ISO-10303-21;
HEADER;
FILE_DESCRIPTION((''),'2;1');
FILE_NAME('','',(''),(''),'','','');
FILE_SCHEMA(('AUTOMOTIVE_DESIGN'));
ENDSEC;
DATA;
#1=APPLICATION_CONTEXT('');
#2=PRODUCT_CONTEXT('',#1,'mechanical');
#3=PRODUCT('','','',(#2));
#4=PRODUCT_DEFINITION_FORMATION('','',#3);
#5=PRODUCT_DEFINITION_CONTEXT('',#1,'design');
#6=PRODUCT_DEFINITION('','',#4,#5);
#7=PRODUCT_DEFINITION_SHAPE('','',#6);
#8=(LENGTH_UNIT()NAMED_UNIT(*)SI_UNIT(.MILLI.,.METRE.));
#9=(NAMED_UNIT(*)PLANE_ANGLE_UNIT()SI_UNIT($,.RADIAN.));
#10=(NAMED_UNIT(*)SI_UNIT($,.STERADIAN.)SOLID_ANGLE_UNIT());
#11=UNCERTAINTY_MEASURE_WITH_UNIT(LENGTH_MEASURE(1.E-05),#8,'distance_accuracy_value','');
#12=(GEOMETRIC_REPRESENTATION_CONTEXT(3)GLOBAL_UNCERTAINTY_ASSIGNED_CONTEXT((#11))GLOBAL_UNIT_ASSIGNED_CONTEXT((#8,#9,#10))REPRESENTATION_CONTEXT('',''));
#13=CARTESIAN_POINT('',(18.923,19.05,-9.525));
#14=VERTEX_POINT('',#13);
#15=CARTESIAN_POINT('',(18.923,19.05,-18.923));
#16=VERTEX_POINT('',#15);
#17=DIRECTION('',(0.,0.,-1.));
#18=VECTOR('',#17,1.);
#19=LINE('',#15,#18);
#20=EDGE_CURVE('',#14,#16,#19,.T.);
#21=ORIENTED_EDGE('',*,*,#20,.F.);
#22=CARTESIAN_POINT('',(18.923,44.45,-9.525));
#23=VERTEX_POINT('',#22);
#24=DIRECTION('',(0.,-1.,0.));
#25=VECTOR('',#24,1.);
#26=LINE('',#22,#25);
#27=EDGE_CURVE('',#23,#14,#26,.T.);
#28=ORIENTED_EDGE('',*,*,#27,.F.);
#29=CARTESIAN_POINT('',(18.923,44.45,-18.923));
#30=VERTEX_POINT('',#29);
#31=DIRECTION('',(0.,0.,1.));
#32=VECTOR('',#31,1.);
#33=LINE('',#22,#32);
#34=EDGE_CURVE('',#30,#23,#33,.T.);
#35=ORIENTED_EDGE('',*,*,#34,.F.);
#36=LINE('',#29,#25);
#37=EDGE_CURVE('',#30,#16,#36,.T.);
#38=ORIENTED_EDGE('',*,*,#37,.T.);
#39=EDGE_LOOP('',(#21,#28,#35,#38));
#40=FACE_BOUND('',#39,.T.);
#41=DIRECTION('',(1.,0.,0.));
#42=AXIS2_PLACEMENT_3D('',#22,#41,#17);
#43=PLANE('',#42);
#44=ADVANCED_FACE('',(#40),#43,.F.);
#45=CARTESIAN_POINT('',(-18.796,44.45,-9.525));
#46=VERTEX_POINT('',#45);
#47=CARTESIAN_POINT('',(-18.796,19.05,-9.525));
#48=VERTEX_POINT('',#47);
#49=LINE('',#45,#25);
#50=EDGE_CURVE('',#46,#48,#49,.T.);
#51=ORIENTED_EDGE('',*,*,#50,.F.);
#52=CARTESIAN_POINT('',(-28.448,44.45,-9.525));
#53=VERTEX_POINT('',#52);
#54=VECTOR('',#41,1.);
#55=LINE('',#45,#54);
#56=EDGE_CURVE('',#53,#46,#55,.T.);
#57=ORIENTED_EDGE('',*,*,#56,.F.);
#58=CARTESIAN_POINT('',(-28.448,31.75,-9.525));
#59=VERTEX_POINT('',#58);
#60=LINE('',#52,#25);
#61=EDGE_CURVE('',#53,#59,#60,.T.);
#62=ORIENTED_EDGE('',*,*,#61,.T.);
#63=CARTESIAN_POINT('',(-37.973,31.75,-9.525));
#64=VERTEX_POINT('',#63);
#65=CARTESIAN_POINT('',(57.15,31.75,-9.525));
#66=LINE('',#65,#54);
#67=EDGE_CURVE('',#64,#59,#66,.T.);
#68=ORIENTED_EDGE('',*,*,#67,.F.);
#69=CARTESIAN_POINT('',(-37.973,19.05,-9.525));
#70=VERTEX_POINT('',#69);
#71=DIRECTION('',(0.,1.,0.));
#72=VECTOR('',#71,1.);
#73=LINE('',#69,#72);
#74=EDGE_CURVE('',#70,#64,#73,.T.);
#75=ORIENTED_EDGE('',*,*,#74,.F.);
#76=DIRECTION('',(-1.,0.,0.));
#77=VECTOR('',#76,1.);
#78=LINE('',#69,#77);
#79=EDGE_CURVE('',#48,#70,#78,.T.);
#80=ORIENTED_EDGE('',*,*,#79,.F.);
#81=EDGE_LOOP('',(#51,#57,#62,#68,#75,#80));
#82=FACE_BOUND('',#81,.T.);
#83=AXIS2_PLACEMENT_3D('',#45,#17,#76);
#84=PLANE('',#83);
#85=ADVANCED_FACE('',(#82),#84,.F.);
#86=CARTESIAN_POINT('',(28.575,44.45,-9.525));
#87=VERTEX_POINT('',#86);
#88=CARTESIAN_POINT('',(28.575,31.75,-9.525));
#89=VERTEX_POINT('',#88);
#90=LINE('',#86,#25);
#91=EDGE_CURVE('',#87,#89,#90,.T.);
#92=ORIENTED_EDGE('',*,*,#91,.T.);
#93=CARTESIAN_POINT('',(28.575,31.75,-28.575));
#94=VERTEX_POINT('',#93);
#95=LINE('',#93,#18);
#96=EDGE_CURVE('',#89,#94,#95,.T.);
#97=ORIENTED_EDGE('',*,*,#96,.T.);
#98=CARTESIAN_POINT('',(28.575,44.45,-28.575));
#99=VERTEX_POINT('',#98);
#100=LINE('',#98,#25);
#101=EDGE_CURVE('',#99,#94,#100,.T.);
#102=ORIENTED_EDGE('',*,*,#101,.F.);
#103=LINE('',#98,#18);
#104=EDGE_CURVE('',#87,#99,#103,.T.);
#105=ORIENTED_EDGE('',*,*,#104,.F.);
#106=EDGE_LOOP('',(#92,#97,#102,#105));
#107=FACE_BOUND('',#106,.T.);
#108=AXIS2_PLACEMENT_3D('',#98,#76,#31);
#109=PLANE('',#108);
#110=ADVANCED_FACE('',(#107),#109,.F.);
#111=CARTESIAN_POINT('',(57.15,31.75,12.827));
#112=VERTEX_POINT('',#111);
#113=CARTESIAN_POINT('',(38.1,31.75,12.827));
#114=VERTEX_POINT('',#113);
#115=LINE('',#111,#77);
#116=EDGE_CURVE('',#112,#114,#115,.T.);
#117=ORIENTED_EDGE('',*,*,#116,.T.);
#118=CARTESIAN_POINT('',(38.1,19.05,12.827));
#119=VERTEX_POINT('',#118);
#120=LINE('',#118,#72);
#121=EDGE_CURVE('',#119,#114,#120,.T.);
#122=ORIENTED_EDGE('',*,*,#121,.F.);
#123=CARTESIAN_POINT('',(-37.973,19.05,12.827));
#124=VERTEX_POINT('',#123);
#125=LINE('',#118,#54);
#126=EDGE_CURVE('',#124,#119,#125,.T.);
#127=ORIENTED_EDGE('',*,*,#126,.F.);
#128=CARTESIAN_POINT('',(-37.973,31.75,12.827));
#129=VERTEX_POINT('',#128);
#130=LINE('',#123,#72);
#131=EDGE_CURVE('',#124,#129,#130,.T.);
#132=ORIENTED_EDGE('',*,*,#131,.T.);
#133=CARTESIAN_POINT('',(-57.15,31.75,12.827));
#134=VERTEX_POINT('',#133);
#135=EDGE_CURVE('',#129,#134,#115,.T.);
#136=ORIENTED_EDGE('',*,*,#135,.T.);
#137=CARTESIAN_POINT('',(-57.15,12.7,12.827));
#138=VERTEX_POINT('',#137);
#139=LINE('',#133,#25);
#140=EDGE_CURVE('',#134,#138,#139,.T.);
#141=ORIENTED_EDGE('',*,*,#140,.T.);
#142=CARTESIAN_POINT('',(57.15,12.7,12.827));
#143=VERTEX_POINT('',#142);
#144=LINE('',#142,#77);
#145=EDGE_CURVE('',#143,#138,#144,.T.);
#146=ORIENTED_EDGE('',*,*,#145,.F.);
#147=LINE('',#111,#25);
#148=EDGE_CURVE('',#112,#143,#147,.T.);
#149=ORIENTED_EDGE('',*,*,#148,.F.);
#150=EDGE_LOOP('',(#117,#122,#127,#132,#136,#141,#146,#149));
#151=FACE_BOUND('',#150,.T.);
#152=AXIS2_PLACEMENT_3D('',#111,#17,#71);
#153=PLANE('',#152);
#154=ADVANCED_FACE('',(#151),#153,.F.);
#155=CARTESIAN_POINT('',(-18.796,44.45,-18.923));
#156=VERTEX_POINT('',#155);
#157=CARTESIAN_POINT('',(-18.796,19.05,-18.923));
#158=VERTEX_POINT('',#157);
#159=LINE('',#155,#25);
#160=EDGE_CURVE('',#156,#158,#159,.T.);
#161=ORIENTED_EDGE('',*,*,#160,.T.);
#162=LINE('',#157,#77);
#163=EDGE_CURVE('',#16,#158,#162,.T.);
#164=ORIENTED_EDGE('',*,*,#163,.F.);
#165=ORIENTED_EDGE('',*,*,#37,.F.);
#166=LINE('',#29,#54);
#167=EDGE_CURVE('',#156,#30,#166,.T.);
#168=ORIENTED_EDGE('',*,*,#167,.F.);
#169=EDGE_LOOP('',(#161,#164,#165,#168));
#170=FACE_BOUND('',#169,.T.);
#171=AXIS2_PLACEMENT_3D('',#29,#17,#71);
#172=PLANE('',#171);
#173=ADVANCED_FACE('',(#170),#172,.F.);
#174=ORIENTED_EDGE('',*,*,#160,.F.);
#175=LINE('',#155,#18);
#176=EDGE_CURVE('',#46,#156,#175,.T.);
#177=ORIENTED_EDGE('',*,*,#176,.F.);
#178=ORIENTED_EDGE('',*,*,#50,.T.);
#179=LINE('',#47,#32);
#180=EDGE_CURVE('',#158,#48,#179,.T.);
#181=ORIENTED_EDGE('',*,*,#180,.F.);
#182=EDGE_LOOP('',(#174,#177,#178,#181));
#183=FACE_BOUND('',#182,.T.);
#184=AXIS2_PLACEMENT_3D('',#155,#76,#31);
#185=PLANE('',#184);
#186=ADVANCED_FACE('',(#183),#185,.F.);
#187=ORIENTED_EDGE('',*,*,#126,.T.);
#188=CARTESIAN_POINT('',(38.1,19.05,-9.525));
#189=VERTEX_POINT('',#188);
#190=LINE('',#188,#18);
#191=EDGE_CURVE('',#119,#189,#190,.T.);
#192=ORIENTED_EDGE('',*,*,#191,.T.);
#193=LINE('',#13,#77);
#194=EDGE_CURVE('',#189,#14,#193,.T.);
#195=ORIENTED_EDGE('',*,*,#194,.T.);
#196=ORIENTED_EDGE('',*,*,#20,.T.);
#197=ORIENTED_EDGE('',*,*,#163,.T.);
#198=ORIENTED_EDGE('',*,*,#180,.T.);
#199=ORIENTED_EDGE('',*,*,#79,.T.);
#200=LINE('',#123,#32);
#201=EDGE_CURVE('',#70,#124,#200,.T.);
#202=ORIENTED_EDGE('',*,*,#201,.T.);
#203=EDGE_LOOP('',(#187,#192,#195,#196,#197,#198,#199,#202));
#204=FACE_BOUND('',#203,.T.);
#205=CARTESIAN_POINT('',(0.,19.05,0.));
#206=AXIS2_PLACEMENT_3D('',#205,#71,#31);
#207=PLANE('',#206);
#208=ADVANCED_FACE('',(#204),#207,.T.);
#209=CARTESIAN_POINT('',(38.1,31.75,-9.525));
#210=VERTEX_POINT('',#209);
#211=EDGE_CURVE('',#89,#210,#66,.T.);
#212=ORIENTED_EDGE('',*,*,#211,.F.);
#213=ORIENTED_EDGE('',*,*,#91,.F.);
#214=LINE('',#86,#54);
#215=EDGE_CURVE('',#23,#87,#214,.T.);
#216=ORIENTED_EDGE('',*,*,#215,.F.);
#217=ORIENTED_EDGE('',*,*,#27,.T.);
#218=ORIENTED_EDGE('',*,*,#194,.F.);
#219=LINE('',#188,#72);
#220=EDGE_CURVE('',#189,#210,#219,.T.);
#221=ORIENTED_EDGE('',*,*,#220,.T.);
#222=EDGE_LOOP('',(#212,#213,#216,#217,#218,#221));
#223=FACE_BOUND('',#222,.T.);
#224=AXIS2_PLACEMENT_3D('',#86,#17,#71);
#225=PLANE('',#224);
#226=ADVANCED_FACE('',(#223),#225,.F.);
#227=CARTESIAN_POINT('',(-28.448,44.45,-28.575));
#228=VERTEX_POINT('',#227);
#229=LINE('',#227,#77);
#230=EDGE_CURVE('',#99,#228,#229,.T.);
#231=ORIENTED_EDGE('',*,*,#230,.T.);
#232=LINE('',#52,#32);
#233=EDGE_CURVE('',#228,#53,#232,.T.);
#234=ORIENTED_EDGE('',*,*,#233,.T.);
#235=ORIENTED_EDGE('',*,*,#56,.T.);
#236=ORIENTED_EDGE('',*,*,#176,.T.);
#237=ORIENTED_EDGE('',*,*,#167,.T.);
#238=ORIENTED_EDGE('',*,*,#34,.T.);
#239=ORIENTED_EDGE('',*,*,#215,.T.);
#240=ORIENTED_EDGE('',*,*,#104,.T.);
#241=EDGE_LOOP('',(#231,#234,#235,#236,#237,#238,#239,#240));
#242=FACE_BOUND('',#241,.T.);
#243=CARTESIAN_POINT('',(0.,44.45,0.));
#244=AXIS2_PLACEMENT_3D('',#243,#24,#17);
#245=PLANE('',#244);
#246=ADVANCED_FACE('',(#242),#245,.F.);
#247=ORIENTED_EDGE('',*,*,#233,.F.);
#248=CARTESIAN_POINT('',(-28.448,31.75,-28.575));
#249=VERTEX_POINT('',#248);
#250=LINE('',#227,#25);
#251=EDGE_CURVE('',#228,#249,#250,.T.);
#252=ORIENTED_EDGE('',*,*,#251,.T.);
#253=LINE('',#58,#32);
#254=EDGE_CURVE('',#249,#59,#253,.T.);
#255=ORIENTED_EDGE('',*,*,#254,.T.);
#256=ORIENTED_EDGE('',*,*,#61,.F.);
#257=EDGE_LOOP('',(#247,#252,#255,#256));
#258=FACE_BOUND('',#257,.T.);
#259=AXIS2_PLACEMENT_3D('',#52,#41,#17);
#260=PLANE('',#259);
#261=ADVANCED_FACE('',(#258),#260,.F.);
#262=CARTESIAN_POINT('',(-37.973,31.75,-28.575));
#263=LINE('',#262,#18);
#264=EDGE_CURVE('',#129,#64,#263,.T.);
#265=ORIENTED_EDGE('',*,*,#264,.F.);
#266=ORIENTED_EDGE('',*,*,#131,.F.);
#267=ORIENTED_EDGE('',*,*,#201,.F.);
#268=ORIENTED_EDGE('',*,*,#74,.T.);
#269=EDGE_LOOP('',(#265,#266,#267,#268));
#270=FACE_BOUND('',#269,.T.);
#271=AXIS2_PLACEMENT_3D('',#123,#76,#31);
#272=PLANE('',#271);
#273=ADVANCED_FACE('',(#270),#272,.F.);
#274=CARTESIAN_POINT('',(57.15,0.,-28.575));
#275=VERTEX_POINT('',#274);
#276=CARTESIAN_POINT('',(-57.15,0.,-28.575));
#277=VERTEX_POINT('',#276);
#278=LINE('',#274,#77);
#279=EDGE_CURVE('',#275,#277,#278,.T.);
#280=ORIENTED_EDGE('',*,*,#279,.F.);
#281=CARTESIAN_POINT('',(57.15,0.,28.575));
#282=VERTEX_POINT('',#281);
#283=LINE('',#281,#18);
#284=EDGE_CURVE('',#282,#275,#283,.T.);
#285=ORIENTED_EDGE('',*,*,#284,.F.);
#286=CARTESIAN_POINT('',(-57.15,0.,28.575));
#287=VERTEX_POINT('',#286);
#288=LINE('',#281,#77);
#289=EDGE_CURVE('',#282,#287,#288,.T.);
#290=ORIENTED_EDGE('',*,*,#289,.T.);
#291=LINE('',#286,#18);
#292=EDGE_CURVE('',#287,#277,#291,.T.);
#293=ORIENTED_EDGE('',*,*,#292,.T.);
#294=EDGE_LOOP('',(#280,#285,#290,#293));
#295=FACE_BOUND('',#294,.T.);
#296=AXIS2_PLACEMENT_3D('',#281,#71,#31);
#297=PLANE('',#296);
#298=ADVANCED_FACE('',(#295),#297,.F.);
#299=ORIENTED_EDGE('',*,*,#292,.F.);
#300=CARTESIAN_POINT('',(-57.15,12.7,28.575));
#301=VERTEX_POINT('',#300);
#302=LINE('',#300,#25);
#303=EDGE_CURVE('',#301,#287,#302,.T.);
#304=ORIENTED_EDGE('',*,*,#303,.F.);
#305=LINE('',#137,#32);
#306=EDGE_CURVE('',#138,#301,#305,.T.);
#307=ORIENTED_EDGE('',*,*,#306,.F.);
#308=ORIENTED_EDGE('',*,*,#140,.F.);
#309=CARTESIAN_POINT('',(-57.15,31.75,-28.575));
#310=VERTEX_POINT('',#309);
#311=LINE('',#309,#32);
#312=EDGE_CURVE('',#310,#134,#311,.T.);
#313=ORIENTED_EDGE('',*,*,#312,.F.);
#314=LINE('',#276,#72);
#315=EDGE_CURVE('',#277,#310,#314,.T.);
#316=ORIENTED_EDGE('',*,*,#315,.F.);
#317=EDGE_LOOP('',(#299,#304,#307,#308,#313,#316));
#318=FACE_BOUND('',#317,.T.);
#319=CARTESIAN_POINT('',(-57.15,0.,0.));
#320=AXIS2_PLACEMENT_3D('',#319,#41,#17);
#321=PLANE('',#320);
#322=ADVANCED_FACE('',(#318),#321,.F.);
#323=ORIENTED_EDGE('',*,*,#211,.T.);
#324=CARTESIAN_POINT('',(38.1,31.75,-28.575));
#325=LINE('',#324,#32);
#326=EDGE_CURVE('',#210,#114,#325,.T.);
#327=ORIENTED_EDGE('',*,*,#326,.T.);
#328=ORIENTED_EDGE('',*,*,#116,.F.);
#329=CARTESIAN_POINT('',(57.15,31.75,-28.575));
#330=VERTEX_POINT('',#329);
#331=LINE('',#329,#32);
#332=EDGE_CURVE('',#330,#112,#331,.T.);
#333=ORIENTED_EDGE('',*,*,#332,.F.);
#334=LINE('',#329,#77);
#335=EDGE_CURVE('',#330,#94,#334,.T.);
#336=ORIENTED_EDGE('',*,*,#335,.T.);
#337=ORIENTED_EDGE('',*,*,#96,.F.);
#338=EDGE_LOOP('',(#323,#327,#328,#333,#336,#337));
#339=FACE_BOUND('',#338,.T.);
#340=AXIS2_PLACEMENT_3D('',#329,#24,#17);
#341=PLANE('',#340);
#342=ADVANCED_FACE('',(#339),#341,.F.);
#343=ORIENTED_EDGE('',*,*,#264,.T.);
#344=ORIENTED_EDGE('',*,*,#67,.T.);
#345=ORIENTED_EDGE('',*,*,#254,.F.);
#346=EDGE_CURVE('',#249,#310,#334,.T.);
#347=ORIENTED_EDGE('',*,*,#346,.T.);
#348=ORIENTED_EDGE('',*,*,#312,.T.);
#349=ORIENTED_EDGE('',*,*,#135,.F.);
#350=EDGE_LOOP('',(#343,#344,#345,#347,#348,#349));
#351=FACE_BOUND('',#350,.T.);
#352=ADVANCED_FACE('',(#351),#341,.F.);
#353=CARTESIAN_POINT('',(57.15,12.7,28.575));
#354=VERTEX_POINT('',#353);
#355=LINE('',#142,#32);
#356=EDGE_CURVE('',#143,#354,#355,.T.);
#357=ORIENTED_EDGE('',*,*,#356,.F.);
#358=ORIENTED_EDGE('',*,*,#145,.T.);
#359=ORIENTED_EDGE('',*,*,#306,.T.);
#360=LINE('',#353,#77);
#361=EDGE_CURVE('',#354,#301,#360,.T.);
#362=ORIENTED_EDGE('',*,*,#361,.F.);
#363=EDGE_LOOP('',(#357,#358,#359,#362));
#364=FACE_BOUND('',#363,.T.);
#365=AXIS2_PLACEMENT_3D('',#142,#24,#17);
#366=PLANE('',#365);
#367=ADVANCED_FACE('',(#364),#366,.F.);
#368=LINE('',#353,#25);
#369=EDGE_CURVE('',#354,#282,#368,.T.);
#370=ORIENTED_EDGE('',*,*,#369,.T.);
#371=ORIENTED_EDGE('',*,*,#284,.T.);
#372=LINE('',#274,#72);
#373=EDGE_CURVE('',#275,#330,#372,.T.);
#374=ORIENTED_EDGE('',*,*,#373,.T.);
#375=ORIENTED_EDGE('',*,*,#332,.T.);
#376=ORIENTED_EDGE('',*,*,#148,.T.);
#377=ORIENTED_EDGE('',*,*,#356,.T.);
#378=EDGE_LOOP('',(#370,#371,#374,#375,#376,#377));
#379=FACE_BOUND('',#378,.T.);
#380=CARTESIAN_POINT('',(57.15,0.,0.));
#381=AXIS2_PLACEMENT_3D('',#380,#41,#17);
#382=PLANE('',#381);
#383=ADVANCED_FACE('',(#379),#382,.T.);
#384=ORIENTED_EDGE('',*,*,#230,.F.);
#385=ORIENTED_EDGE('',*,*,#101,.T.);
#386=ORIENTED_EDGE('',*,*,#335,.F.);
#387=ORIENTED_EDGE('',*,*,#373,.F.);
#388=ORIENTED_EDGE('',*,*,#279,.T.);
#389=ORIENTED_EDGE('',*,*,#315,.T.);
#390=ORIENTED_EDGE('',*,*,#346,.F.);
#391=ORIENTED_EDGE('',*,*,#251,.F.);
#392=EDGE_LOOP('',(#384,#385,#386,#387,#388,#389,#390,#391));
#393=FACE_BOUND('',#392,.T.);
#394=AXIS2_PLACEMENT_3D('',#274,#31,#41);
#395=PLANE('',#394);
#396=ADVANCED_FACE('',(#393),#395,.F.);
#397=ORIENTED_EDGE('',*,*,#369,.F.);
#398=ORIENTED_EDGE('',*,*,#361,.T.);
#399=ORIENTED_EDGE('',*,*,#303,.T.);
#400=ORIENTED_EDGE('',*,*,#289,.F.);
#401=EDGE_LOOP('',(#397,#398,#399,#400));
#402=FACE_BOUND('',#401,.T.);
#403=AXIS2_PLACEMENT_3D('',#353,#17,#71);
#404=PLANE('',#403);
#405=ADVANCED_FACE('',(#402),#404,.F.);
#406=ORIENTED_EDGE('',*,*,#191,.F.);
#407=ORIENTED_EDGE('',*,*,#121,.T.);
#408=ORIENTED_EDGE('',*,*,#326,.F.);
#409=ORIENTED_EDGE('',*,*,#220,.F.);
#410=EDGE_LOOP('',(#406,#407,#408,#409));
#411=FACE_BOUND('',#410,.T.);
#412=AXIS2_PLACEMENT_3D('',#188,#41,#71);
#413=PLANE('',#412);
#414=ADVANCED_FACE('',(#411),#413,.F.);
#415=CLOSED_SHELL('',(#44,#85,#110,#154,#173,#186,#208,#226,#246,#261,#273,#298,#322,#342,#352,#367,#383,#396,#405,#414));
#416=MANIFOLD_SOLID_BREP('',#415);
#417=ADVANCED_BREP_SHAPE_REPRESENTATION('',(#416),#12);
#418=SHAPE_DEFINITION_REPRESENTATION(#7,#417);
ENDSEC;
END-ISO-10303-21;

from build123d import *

# Parameters (mm, degrees)
BOSS_EXTRUDE1_DEPTH = 57.15
BOSS_EXTRUDE2_DEPTH = 12.7
CUT_EXTRUDE1_DEPTH  = 25.4


with BuildPart() as part:
    # Sketch1 → Boss-Extrude1 (new, symmetric)
    with BuildSketch(Plane(origin=(0, 0, 0), x_dir=(0, 0, -1), z_dir=(1, 0, 0))):
        Polygon((-28.575, 0), (28.575, 0), (28.575, 31.75), (-12.827, 31.75), (-12.827, 12.7), (-28.575, 12.7), align=None)
    extrude(amount=BOSS_EXTRUDE1_DEPTH, both=True)

    # Sketch2 → Boss-Extrude2 (add)
    with BuildSketch(Plane(origin=(0, 31.75, 0), x_dir=(1, 0, 0), z_dir=(0, 1, 0))):
        Polygon((-28.448, 28.575), (28.575, 28.575), (28.575, 9.525), (18.923, 9.525), (18.923, 18.923), (-18.796, 18.923), (-18.796, 9.525), (-28.448, 9.525), align=None)
    extrude(amount=BOSS_EXTRUDE2_DEPTH)

    # Sketch3 → Cut-Extrude1 (cut)
    with BuildSketch(Plane(origin=(0, 44.45, 0), x_dir=(1, 0, 0), z_dir=(0, 1, 0))):
        Polygon((-18.796, 9.525), (-18.796, 18.923), (18.923, 18.923), (18.923, 9.525), (38.1, 9.525), (38.1, -12.827), (-37.973, -12.827), (-37.973, 9.525), align=None)
    extrude(amount=-CUT_EXTRUDE1_DEPTH, mode=Mode.SUBTRACT)


solid = part.part
